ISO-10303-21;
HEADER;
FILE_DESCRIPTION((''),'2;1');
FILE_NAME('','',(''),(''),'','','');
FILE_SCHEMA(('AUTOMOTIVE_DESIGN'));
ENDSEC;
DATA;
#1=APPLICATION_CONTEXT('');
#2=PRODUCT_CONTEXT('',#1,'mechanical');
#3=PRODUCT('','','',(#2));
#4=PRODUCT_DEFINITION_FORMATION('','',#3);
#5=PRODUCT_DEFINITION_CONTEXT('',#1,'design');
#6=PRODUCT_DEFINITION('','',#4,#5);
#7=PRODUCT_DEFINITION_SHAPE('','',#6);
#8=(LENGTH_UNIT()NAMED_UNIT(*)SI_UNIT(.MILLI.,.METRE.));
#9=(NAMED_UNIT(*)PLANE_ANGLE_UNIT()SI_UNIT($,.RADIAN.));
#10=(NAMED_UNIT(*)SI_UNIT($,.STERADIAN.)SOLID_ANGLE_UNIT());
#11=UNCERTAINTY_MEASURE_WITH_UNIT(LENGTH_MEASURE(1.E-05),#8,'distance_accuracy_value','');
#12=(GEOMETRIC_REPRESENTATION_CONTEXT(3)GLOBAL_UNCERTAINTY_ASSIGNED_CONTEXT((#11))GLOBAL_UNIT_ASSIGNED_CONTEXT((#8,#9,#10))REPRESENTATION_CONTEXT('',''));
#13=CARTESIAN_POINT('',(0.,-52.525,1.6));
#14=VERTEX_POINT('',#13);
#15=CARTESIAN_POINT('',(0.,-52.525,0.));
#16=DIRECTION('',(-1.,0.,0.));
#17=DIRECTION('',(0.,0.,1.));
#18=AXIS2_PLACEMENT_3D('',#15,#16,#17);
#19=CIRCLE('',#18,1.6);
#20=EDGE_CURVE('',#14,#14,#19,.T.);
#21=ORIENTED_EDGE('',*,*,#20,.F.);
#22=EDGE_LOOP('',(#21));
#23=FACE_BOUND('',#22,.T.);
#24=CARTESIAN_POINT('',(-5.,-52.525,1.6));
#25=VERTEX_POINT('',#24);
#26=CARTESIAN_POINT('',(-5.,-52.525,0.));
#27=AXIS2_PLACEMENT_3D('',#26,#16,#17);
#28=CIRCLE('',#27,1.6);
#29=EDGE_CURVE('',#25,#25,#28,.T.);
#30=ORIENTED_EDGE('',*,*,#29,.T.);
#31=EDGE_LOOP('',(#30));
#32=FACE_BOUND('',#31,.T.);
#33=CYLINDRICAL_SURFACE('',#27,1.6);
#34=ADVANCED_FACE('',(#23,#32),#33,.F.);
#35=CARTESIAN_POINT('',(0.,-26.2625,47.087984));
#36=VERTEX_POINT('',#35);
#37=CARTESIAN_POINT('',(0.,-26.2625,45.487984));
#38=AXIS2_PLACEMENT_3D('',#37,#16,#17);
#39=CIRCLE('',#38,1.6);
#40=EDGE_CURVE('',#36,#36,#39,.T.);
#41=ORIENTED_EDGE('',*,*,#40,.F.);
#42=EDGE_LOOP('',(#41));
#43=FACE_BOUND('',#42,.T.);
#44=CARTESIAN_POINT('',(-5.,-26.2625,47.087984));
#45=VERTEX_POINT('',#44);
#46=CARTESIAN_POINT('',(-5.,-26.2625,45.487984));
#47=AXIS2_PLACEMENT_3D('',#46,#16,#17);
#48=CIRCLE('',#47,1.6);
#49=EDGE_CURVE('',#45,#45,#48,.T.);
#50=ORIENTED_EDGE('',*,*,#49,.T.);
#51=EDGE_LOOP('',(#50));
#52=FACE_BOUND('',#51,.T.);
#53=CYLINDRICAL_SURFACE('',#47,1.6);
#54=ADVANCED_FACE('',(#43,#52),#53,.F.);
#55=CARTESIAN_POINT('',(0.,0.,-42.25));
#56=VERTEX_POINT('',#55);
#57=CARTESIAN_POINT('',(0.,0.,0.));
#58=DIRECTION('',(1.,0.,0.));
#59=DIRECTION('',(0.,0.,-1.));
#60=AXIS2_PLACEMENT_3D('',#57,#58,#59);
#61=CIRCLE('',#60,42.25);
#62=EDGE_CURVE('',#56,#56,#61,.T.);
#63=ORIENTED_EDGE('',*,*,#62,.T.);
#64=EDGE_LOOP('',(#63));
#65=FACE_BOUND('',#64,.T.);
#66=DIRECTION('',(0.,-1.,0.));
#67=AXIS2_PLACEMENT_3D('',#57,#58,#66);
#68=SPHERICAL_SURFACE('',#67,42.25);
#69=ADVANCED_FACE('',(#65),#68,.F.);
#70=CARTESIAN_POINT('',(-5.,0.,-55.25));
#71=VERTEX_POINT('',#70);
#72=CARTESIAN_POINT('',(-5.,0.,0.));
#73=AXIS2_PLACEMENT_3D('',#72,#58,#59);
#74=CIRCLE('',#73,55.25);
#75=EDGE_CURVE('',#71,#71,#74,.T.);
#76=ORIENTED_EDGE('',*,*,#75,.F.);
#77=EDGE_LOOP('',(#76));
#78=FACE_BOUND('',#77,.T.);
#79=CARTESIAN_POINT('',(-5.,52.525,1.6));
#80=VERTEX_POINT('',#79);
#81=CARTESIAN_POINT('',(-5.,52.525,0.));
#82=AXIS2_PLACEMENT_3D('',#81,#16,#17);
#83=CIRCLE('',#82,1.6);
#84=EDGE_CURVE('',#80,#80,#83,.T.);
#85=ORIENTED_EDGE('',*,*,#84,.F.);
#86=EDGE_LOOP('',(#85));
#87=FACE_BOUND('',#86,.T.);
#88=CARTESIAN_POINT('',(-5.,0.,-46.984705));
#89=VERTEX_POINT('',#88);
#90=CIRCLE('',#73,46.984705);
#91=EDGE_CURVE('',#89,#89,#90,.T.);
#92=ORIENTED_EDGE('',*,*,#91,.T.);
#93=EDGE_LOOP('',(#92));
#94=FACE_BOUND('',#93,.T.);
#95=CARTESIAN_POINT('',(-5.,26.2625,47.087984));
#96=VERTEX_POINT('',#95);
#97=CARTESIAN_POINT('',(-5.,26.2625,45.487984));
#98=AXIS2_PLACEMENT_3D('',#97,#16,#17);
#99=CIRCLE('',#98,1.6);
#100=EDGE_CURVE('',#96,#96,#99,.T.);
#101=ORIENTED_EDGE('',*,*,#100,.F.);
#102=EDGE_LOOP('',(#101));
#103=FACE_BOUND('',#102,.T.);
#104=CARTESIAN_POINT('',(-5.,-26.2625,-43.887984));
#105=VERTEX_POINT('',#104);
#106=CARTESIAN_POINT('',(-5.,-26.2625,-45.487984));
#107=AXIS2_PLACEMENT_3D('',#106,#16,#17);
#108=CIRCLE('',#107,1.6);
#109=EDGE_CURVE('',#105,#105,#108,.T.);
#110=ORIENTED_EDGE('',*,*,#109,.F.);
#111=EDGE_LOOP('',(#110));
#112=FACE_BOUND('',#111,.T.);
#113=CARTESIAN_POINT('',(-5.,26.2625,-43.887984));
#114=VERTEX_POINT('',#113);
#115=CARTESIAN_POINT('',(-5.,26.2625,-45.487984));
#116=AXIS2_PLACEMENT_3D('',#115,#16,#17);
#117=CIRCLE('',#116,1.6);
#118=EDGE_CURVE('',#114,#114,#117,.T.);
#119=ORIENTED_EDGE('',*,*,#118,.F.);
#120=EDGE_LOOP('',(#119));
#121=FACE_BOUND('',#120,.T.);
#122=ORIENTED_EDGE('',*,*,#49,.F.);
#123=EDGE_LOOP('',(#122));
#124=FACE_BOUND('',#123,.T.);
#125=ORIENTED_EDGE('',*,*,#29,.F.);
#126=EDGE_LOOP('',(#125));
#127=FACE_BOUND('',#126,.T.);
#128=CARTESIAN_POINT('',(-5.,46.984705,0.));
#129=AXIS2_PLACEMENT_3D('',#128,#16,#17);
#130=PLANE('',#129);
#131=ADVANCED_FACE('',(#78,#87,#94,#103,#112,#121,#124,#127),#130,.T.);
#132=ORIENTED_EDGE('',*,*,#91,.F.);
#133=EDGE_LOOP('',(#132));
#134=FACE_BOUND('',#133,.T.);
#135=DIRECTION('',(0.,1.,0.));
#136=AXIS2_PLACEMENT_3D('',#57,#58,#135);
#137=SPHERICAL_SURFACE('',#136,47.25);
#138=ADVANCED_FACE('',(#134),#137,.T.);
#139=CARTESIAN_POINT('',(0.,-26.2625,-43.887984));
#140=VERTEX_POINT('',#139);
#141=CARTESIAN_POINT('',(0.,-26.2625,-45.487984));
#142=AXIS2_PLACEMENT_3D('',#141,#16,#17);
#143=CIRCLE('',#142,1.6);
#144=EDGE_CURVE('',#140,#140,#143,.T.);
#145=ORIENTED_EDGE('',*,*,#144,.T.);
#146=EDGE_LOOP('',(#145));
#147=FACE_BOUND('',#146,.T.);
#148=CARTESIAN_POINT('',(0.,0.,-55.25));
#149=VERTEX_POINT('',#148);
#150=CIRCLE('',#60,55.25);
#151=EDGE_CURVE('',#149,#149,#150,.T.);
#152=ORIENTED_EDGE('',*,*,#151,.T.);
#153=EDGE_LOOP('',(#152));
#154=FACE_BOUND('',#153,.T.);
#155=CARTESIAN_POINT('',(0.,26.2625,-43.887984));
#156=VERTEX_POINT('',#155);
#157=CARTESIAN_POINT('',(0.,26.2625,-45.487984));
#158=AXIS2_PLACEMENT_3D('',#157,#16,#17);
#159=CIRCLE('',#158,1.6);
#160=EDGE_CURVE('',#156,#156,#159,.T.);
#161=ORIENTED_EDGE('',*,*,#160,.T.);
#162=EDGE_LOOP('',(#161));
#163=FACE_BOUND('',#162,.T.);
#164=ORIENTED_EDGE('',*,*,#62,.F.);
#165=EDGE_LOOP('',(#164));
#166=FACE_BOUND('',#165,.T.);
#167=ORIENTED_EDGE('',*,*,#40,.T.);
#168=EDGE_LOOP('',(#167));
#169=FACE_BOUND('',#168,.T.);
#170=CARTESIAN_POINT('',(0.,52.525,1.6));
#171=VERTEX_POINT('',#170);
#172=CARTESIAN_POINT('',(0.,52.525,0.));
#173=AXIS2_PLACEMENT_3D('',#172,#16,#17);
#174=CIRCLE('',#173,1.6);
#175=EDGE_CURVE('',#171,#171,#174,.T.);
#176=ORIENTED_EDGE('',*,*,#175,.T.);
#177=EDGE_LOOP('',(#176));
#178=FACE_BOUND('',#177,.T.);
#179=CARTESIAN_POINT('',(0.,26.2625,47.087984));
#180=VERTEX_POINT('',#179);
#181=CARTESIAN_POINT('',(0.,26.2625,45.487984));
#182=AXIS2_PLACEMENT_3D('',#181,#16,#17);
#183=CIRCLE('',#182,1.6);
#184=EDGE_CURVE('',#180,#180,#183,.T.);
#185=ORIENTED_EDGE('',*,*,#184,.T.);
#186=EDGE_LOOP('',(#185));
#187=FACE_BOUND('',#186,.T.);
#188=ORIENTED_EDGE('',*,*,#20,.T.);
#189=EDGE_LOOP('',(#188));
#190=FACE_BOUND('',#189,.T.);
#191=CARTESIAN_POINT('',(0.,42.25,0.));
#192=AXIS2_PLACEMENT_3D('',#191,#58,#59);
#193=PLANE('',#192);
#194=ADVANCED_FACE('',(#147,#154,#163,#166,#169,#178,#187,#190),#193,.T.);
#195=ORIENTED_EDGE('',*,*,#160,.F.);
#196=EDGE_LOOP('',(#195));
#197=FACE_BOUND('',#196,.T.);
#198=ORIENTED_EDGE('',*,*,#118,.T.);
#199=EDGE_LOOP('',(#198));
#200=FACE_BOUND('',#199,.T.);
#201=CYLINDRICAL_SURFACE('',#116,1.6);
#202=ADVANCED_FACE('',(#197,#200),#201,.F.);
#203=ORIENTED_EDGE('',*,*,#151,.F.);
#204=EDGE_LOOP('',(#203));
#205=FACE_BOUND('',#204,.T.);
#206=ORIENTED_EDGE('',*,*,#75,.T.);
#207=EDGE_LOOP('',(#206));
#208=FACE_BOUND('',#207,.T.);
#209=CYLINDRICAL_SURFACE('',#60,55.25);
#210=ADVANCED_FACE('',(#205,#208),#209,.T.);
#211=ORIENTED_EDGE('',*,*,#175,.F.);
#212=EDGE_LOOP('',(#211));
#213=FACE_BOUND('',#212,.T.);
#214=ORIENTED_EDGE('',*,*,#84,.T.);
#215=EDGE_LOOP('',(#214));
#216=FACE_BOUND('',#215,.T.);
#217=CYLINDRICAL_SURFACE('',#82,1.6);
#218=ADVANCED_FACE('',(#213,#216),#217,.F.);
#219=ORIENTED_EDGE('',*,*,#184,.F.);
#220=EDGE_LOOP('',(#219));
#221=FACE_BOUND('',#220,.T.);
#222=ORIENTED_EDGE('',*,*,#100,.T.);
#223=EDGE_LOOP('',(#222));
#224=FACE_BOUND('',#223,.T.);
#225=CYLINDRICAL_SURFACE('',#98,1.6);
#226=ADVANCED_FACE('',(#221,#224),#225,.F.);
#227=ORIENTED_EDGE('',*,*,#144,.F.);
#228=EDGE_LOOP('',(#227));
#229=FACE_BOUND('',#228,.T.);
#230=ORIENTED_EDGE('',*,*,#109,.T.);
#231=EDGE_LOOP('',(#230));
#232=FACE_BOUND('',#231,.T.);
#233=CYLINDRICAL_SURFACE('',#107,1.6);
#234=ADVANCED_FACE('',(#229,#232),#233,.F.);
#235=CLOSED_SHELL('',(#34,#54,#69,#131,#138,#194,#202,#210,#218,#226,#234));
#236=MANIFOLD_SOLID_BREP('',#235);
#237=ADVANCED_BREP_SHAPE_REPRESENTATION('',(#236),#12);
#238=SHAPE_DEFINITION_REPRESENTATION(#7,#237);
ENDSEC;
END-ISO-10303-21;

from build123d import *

# Parameters (mm, degrees)
HOLE_WIZARD_3_2_3_2_1_D = 3.2


with BuildPart() as part:
    # 草图1 → 旋转1 (revolve)
    with BuildSketch(Plane.XY):
        with BuildLine():
            Line((0, 42.25), (0, 55.25))
            Line((0, 55.25), (-5, 55.25))
            Line((-5, 55.25), (-5, 46.984704958))
            ThreePointArc((-5, 46.984704958), (-35.134118034, 31.593610905), (-47.25, 0))
            Line((-47.25, 0), (-42.25, 0))
            ThreePointArc((-42.25, 0), (-29.875261505, 29.875261505), (0, 42.25))
        make_face()
    revolve(axis=Axis((0, 0, 0), (-1, 0, 0)))

    # Ø3.2 (3.2) 直径孔1 (through all)
    with Locations(Plane(origin=(-5, 52.525, 0), x_dir=(0, 0, -1), z_dir=(-1, 0, 0))):
        with Locations((0, 0), (-45.487984334, 26.2625), (-45.487984334, 78.7875), (0, 105.05), (45.487984334, 78.7875), (45.487984334, 26.2625)):
            Hole(HOLE_WIZARD_3_2_3_2_1_D / 2)


solid = part.part
